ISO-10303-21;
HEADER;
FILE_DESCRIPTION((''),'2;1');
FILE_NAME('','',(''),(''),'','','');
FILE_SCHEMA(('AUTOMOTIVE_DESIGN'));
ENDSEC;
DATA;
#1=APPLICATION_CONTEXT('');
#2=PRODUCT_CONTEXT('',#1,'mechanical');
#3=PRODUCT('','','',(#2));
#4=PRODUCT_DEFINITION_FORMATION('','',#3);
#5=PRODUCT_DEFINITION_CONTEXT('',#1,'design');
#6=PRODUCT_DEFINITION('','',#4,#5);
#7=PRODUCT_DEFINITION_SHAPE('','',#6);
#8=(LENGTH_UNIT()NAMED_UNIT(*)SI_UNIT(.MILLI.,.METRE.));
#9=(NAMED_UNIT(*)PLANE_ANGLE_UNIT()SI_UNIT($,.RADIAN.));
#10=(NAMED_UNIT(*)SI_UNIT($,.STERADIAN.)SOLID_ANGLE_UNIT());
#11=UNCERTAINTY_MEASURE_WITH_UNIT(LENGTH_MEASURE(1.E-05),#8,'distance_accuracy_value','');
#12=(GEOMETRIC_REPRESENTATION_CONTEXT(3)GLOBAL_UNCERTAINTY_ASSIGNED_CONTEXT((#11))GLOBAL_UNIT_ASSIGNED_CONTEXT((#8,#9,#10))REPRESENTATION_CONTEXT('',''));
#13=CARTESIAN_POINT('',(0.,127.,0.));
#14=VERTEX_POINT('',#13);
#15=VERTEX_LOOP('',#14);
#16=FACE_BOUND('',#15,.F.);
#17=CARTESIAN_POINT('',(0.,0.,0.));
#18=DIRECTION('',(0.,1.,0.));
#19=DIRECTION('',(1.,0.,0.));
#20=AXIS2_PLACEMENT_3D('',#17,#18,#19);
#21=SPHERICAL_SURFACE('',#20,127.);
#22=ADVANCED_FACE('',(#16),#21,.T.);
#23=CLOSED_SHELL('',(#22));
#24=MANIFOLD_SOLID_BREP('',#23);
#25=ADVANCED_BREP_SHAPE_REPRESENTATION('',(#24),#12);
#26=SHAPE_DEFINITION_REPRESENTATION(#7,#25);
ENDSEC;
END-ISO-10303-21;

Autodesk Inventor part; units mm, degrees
ref_plane "YZ Plane" through (0, 0, 0) normal (1, 0, 0) x (0, 1, 0)
ref_plane "XZ Plane" through (0, 0, 0) normal (0, 1, 0) x (-1, 0, 0)
sketch "Sketch1" plane through (0, 0, 0) normal (0, 0, 1) x (1, 0, 0)
  arc A0 (0, -127) -> (0, 127) centre (0, 0) ccw
  line L0 (0, 127) -> (0, -127)
  dimension "d0" = 254
revolve "Revolution1" add sketch "Sketch1" angle 360 about axis through (0, 127, 0) along (0, -1, 0)
ref_plane "Work Plane2" through (0, 0, -127) normal (0, 0, 1) x (1, 0, 0)
ref_plane "Work Plane1" through (0, 0, 127) normal (0, 0, 1) x (1, 0, 0)
equation "\"d0\" = boulderDiam"
equation "\"boulderDiam\" = 254"
properties part number "DraftOfBoulder"
